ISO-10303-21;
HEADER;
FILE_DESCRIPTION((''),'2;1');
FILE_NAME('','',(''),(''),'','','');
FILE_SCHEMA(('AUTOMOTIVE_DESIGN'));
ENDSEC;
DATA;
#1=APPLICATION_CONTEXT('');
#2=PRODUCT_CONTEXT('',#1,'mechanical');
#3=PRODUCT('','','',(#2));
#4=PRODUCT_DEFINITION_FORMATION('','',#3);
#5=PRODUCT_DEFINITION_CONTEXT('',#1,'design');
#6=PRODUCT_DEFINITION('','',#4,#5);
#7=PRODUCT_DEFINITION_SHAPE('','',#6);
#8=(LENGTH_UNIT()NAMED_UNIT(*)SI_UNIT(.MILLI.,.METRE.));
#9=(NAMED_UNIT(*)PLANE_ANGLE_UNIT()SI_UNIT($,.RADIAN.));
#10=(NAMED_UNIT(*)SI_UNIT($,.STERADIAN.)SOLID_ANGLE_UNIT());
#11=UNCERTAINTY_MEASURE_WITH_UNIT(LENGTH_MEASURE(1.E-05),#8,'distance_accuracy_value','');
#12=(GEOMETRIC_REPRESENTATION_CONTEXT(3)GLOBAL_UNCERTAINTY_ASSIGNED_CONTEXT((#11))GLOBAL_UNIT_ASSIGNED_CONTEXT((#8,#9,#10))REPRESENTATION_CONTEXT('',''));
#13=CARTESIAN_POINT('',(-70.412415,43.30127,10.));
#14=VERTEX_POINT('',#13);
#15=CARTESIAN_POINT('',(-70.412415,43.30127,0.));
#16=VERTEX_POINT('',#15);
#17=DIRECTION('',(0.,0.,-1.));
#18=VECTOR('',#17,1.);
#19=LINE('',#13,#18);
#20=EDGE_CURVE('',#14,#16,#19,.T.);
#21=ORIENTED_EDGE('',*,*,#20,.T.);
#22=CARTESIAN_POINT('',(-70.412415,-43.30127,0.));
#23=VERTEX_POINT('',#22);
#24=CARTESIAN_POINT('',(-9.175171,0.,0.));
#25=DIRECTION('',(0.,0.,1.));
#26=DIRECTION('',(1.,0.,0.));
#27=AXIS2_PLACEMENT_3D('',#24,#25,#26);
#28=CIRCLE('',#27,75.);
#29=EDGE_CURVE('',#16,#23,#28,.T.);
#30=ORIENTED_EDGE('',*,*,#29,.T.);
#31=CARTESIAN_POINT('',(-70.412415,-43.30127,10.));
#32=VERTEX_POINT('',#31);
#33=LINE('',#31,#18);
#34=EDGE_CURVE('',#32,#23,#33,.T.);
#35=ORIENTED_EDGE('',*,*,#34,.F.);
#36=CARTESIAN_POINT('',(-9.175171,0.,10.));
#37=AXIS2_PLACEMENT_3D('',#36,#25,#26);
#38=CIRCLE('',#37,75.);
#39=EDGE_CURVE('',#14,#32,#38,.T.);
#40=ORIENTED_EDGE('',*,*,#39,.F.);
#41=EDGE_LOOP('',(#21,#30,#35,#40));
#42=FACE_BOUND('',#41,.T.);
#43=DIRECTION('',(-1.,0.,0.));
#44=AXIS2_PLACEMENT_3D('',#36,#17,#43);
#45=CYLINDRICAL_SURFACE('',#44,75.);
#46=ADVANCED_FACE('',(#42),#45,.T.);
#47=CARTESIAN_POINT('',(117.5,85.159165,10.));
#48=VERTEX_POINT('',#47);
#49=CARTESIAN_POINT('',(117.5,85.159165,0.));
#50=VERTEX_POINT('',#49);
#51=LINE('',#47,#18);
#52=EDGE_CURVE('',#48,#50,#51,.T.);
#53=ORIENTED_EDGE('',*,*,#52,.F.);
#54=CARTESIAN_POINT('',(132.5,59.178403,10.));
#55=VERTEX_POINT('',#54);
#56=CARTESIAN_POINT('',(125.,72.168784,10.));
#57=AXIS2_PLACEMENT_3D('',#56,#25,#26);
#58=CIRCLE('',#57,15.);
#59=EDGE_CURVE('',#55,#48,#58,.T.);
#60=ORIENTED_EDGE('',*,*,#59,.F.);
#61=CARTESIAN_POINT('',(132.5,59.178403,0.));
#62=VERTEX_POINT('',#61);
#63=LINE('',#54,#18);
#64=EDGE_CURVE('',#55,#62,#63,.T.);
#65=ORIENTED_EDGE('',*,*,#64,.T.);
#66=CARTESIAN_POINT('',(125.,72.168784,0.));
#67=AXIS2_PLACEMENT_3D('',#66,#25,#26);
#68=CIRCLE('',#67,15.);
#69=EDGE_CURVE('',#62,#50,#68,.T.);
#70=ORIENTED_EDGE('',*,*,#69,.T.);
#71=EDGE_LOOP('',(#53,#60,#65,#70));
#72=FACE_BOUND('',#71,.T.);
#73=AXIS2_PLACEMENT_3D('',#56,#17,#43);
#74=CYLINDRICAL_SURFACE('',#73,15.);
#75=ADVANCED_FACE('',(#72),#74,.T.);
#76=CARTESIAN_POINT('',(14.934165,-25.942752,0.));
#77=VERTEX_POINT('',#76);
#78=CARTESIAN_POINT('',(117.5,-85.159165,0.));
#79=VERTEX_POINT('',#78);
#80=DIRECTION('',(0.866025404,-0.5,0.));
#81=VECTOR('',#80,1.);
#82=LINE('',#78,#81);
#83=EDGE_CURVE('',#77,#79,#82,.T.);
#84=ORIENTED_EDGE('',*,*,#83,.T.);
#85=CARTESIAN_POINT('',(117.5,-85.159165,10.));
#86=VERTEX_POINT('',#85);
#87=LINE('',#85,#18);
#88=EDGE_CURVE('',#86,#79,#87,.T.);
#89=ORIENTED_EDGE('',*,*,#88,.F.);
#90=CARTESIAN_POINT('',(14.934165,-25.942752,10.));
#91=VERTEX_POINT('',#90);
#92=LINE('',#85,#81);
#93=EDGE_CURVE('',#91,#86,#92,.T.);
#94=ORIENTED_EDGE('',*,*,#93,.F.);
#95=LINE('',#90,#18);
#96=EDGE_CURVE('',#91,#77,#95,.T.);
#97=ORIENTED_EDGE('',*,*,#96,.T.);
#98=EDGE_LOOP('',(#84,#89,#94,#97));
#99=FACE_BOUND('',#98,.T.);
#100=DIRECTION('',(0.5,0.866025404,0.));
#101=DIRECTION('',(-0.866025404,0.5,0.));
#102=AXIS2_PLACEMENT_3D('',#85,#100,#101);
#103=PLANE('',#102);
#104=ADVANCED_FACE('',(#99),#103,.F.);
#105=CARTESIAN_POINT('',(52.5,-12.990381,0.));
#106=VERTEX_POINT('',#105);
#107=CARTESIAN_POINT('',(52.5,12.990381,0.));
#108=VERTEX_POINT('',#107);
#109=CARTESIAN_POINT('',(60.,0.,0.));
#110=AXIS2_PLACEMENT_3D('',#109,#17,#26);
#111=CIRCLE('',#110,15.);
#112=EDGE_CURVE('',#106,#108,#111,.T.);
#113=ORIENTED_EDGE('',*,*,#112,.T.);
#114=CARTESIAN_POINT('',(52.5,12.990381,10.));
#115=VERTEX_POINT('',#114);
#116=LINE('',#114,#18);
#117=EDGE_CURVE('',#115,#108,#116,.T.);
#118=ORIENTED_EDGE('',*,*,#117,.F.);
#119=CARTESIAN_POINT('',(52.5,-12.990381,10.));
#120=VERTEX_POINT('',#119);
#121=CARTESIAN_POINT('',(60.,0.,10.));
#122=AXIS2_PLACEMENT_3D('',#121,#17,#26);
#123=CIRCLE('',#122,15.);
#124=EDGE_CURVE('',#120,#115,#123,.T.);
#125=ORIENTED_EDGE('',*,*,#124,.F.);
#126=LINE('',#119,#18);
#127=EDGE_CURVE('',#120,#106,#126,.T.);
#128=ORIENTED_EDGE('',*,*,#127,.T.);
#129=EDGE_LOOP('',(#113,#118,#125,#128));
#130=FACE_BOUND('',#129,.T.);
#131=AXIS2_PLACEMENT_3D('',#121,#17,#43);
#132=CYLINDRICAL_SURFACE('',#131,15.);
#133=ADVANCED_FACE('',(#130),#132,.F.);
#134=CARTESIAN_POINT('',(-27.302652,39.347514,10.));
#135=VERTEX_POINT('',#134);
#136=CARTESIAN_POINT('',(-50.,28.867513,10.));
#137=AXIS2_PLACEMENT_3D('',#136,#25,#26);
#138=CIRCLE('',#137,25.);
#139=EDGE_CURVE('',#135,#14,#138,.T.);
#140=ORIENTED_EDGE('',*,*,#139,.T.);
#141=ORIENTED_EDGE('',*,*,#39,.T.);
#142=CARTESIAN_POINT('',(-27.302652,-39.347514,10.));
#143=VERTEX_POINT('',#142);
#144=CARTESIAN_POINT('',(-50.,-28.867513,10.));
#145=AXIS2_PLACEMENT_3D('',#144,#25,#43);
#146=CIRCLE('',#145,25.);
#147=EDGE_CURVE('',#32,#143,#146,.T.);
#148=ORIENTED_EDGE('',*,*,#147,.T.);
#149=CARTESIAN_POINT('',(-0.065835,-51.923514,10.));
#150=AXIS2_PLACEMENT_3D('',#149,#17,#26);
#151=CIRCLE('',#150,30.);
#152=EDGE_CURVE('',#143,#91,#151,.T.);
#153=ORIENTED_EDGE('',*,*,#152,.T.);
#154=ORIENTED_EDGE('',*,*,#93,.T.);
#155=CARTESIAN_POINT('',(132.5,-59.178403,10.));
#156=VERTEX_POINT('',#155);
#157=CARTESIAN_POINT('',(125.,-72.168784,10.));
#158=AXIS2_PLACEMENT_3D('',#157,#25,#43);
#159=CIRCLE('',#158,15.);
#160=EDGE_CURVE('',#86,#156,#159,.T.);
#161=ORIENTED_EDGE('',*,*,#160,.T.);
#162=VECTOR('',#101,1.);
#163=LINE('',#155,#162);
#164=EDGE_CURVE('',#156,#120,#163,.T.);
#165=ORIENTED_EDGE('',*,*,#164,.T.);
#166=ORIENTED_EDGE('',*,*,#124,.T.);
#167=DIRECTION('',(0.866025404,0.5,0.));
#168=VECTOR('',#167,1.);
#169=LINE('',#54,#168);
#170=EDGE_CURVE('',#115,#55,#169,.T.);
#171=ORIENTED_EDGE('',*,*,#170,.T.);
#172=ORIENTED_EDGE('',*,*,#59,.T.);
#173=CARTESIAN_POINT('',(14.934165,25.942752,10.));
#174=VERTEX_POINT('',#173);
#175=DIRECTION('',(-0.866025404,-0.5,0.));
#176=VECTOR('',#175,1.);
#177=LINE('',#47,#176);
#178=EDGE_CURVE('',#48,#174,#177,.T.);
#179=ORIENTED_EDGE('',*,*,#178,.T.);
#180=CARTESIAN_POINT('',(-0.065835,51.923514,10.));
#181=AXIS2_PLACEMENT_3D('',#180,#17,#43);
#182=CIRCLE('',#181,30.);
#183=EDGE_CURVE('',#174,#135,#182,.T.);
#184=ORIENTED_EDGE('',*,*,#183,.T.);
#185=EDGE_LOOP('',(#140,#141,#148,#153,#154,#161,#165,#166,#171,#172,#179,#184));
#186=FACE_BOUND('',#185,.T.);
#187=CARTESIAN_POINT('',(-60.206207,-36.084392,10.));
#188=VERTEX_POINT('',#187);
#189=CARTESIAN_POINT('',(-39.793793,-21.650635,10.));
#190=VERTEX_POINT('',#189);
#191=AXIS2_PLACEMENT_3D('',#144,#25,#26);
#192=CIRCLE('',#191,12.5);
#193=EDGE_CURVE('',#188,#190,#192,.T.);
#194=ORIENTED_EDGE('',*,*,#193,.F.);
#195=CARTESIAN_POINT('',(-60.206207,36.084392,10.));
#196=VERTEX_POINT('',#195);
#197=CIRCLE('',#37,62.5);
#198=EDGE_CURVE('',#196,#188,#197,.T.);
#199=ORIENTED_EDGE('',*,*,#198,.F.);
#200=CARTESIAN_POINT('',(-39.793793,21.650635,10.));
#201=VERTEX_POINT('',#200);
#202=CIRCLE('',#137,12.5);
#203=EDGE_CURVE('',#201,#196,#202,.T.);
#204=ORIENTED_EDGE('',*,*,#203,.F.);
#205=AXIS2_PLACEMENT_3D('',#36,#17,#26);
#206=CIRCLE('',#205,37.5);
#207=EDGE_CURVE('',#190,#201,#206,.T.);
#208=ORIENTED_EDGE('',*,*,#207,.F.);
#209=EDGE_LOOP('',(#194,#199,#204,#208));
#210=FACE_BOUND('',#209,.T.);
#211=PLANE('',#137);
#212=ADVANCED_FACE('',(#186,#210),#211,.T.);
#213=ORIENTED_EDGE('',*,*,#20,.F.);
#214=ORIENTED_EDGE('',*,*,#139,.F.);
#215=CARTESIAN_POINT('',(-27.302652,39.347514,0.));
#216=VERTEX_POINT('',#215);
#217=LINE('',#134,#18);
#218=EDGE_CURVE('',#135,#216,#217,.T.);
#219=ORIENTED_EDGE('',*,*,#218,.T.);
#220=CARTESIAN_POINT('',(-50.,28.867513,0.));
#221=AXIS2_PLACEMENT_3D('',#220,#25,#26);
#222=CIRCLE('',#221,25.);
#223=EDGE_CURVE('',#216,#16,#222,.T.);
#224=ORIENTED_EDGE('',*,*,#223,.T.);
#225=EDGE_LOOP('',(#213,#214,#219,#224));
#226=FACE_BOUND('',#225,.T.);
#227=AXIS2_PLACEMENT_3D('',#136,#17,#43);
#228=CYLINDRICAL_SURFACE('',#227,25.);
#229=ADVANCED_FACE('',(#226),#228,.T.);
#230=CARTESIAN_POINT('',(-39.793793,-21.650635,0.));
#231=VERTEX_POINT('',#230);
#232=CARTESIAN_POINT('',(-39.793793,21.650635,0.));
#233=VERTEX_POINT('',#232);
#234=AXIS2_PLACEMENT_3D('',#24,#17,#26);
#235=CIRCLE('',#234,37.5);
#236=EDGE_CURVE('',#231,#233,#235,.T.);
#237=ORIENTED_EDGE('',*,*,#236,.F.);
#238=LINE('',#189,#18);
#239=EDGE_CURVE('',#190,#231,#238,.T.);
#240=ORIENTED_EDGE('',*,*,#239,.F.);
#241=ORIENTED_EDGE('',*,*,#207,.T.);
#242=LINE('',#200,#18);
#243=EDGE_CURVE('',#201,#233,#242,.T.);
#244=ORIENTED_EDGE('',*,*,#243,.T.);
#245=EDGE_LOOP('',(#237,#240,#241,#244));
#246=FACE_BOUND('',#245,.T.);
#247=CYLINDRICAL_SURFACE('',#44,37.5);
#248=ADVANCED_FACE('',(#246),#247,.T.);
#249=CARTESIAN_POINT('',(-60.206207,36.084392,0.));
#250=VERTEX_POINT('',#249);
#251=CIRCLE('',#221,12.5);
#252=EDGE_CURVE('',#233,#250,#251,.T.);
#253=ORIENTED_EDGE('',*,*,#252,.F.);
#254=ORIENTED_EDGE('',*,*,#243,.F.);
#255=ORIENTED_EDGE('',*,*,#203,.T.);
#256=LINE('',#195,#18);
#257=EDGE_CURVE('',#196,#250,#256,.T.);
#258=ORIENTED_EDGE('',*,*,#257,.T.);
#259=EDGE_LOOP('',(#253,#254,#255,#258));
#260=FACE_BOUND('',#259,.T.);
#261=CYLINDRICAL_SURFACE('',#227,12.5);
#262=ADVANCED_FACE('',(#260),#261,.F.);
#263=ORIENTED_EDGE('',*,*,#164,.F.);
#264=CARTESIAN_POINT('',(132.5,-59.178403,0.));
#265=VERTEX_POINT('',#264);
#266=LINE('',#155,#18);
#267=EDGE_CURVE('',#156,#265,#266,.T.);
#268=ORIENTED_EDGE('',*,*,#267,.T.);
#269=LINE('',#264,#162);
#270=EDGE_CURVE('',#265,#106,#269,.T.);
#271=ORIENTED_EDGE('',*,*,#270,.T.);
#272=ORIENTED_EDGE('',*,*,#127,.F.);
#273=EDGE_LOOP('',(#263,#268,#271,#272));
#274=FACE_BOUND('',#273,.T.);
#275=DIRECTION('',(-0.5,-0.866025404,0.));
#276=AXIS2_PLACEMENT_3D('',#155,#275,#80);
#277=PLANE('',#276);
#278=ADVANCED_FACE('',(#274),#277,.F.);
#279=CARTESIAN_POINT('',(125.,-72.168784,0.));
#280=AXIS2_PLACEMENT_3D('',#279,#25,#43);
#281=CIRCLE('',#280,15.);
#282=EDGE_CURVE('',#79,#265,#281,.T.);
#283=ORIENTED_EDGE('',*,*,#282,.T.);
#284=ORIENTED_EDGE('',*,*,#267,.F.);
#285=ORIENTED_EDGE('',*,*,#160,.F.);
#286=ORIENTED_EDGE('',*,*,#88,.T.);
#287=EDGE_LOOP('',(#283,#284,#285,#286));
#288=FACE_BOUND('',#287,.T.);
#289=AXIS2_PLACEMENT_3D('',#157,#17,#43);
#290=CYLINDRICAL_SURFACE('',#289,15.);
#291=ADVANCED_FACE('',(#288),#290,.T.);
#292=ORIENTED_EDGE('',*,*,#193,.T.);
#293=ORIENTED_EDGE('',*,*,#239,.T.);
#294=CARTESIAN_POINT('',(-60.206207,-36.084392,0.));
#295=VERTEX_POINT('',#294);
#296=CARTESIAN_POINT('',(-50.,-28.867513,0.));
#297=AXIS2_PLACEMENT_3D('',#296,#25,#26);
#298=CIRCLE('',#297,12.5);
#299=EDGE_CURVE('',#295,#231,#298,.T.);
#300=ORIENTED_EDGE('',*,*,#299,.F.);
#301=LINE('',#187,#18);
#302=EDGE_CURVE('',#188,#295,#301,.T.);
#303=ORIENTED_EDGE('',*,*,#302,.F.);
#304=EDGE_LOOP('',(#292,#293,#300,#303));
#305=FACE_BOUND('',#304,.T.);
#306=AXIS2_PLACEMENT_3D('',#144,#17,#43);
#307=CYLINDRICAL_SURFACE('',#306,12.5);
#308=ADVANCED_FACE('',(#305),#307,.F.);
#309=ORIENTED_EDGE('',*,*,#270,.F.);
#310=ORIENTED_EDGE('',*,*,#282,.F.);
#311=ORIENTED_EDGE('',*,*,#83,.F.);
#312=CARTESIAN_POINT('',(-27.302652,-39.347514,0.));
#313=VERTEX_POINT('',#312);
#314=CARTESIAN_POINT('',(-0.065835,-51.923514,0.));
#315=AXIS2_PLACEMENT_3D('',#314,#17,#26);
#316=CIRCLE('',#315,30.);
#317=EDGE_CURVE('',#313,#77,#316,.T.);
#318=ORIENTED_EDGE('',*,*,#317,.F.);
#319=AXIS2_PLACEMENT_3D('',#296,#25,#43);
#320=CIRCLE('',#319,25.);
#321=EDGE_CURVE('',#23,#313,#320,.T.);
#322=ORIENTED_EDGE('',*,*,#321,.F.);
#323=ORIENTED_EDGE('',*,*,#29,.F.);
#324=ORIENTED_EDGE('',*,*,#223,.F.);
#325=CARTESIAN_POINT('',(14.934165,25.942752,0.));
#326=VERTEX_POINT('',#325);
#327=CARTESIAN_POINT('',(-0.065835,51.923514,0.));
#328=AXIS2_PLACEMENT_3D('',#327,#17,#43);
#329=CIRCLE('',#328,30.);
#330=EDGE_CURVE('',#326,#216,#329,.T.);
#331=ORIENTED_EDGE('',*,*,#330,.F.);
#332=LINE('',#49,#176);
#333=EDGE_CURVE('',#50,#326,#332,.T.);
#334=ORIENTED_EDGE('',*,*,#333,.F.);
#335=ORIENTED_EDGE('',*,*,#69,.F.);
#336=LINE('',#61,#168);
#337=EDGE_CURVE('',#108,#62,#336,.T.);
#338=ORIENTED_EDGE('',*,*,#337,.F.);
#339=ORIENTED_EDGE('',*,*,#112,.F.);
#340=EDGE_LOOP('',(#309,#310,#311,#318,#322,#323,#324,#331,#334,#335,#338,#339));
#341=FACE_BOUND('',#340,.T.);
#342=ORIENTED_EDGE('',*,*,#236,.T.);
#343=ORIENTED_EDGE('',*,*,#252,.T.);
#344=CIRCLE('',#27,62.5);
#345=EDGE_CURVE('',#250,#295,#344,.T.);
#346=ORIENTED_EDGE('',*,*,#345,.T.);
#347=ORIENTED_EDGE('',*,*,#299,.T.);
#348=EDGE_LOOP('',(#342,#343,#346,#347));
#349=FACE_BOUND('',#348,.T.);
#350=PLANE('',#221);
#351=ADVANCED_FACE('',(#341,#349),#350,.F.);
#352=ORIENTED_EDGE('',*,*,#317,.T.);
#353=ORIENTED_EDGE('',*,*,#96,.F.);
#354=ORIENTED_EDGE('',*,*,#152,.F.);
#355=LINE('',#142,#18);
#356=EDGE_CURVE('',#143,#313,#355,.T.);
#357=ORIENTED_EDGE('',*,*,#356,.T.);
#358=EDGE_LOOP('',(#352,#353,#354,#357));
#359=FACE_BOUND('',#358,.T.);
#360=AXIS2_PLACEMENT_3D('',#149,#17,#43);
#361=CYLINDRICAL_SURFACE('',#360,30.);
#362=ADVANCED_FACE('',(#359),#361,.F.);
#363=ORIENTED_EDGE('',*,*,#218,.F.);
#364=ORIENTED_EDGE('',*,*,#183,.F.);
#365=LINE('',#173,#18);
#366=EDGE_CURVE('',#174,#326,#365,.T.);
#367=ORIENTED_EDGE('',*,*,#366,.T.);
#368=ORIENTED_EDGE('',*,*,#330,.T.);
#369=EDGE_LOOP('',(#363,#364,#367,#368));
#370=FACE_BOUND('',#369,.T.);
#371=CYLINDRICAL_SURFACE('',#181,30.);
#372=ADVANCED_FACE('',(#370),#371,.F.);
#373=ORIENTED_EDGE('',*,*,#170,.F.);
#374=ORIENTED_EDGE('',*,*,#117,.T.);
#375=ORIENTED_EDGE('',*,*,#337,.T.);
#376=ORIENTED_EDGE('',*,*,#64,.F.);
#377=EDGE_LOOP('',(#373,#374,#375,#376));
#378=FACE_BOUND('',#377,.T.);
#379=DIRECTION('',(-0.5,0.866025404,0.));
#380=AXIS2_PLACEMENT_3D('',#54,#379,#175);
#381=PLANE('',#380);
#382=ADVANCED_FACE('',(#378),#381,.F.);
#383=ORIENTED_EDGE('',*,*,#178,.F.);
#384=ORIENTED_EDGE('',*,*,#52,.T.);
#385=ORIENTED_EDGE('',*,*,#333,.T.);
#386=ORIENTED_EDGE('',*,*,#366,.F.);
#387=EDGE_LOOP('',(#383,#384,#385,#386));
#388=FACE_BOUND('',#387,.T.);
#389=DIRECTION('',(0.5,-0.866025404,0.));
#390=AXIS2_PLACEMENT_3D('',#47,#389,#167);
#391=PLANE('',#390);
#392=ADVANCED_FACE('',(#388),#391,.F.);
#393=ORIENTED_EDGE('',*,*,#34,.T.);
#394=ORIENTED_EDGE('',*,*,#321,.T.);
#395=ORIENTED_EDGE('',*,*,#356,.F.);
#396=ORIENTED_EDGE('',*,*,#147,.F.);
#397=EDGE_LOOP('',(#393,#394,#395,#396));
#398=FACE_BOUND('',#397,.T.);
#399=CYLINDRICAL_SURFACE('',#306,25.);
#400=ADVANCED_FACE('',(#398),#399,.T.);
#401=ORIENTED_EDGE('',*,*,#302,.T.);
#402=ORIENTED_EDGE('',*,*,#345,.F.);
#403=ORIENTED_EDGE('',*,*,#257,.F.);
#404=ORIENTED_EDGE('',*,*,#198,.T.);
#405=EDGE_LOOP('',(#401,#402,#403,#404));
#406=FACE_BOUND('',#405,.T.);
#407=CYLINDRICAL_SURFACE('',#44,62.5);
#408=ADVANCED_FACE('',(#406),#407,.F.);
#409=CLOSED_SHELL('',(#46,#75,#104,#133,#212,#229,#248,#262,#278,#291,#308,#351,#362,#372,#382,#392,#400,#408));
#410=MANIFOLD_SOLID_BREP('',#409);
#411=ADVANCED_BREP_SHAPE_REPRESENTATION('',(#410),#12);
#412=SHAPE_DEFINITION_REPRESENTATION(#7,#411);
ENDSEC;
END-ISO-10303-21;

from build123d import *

# Parameters (mm, degrees)
SALIENTE_EXTRUIR2_DEPTH = 10


with BuildPart() as part:
    # Croquis1 → Saliente-Extruir2 (new body)
    with BuildSketch(Plane.XY):
        with BuildLine():
            Line((117.5, 85.159164705), (14.934164903, 25.942752202))
            ThreePointArc((14.934164903, 25.942752202), (-9.140901633, 23.329053884), (-27.302652317, 39.347513849))
            ThreePointArc((-27.302652317, 39.347513849), (-47.71673979, 53.763029578), (-70.412414523, 43.301270189))
            ThreePointArc((-70.412414523, 43.301270189), (-84.175170954, 0), (-70.412414523, -43.301270189))
            ThreePointArc((-70.412414523, -43.301270189), (-47.71673979, -53.763029578), (-27.302652317, -39.347513849))
            ThreePointArc((-27.302652317, -39.347513849), (-9.140901633, -23.329053884), (14.934164903, -25.942752202))
            Line((14.934164903, -25.942752202), (117.5, -85.159164705))
            ThreePointArc((117.5, -85.159164705), (137.990381057, -79.668783649), (132.5, -59.178402592))
            Line((132.5, -59.178402592), (52.5, -12.990381057))
            ThreePointArc((52.5, -12.990381057), (45, 0), (52.5, 12.990381057))
            Line((52.5, 12.990381057), (132.5, 59.178402592))
            ThreePointArc((132.5, 59.178402592), (137.990381057, 79.668783649), (117.5, 85.159164705))
        make_face()
        with BuildLine():
            ThreePointArc((-60.206207262, 36.084391824), (-71.675170954, 0), (-60.206207262, -36.084391824))
            ThreePointArc((-60.206207262, -36.084391824), (-42.783121635, -39.073720721), (-39.793792738, -21.650635095))
            ThreePointArc((-39.793792738, -21.650635095), (-46.675170954, 0), (-39.793792738, 21.650635095))
            ThreePointArc((-39.793792738, 21.650635095), (-42.783121635, 39.073720721), (-60.206207262, 36.084391824))
        make_face(mode=Mode.SUBTRACT)
    extrude(amount=SALIENTE_EXTRUIR2_DEPTH)


solid = part.part
